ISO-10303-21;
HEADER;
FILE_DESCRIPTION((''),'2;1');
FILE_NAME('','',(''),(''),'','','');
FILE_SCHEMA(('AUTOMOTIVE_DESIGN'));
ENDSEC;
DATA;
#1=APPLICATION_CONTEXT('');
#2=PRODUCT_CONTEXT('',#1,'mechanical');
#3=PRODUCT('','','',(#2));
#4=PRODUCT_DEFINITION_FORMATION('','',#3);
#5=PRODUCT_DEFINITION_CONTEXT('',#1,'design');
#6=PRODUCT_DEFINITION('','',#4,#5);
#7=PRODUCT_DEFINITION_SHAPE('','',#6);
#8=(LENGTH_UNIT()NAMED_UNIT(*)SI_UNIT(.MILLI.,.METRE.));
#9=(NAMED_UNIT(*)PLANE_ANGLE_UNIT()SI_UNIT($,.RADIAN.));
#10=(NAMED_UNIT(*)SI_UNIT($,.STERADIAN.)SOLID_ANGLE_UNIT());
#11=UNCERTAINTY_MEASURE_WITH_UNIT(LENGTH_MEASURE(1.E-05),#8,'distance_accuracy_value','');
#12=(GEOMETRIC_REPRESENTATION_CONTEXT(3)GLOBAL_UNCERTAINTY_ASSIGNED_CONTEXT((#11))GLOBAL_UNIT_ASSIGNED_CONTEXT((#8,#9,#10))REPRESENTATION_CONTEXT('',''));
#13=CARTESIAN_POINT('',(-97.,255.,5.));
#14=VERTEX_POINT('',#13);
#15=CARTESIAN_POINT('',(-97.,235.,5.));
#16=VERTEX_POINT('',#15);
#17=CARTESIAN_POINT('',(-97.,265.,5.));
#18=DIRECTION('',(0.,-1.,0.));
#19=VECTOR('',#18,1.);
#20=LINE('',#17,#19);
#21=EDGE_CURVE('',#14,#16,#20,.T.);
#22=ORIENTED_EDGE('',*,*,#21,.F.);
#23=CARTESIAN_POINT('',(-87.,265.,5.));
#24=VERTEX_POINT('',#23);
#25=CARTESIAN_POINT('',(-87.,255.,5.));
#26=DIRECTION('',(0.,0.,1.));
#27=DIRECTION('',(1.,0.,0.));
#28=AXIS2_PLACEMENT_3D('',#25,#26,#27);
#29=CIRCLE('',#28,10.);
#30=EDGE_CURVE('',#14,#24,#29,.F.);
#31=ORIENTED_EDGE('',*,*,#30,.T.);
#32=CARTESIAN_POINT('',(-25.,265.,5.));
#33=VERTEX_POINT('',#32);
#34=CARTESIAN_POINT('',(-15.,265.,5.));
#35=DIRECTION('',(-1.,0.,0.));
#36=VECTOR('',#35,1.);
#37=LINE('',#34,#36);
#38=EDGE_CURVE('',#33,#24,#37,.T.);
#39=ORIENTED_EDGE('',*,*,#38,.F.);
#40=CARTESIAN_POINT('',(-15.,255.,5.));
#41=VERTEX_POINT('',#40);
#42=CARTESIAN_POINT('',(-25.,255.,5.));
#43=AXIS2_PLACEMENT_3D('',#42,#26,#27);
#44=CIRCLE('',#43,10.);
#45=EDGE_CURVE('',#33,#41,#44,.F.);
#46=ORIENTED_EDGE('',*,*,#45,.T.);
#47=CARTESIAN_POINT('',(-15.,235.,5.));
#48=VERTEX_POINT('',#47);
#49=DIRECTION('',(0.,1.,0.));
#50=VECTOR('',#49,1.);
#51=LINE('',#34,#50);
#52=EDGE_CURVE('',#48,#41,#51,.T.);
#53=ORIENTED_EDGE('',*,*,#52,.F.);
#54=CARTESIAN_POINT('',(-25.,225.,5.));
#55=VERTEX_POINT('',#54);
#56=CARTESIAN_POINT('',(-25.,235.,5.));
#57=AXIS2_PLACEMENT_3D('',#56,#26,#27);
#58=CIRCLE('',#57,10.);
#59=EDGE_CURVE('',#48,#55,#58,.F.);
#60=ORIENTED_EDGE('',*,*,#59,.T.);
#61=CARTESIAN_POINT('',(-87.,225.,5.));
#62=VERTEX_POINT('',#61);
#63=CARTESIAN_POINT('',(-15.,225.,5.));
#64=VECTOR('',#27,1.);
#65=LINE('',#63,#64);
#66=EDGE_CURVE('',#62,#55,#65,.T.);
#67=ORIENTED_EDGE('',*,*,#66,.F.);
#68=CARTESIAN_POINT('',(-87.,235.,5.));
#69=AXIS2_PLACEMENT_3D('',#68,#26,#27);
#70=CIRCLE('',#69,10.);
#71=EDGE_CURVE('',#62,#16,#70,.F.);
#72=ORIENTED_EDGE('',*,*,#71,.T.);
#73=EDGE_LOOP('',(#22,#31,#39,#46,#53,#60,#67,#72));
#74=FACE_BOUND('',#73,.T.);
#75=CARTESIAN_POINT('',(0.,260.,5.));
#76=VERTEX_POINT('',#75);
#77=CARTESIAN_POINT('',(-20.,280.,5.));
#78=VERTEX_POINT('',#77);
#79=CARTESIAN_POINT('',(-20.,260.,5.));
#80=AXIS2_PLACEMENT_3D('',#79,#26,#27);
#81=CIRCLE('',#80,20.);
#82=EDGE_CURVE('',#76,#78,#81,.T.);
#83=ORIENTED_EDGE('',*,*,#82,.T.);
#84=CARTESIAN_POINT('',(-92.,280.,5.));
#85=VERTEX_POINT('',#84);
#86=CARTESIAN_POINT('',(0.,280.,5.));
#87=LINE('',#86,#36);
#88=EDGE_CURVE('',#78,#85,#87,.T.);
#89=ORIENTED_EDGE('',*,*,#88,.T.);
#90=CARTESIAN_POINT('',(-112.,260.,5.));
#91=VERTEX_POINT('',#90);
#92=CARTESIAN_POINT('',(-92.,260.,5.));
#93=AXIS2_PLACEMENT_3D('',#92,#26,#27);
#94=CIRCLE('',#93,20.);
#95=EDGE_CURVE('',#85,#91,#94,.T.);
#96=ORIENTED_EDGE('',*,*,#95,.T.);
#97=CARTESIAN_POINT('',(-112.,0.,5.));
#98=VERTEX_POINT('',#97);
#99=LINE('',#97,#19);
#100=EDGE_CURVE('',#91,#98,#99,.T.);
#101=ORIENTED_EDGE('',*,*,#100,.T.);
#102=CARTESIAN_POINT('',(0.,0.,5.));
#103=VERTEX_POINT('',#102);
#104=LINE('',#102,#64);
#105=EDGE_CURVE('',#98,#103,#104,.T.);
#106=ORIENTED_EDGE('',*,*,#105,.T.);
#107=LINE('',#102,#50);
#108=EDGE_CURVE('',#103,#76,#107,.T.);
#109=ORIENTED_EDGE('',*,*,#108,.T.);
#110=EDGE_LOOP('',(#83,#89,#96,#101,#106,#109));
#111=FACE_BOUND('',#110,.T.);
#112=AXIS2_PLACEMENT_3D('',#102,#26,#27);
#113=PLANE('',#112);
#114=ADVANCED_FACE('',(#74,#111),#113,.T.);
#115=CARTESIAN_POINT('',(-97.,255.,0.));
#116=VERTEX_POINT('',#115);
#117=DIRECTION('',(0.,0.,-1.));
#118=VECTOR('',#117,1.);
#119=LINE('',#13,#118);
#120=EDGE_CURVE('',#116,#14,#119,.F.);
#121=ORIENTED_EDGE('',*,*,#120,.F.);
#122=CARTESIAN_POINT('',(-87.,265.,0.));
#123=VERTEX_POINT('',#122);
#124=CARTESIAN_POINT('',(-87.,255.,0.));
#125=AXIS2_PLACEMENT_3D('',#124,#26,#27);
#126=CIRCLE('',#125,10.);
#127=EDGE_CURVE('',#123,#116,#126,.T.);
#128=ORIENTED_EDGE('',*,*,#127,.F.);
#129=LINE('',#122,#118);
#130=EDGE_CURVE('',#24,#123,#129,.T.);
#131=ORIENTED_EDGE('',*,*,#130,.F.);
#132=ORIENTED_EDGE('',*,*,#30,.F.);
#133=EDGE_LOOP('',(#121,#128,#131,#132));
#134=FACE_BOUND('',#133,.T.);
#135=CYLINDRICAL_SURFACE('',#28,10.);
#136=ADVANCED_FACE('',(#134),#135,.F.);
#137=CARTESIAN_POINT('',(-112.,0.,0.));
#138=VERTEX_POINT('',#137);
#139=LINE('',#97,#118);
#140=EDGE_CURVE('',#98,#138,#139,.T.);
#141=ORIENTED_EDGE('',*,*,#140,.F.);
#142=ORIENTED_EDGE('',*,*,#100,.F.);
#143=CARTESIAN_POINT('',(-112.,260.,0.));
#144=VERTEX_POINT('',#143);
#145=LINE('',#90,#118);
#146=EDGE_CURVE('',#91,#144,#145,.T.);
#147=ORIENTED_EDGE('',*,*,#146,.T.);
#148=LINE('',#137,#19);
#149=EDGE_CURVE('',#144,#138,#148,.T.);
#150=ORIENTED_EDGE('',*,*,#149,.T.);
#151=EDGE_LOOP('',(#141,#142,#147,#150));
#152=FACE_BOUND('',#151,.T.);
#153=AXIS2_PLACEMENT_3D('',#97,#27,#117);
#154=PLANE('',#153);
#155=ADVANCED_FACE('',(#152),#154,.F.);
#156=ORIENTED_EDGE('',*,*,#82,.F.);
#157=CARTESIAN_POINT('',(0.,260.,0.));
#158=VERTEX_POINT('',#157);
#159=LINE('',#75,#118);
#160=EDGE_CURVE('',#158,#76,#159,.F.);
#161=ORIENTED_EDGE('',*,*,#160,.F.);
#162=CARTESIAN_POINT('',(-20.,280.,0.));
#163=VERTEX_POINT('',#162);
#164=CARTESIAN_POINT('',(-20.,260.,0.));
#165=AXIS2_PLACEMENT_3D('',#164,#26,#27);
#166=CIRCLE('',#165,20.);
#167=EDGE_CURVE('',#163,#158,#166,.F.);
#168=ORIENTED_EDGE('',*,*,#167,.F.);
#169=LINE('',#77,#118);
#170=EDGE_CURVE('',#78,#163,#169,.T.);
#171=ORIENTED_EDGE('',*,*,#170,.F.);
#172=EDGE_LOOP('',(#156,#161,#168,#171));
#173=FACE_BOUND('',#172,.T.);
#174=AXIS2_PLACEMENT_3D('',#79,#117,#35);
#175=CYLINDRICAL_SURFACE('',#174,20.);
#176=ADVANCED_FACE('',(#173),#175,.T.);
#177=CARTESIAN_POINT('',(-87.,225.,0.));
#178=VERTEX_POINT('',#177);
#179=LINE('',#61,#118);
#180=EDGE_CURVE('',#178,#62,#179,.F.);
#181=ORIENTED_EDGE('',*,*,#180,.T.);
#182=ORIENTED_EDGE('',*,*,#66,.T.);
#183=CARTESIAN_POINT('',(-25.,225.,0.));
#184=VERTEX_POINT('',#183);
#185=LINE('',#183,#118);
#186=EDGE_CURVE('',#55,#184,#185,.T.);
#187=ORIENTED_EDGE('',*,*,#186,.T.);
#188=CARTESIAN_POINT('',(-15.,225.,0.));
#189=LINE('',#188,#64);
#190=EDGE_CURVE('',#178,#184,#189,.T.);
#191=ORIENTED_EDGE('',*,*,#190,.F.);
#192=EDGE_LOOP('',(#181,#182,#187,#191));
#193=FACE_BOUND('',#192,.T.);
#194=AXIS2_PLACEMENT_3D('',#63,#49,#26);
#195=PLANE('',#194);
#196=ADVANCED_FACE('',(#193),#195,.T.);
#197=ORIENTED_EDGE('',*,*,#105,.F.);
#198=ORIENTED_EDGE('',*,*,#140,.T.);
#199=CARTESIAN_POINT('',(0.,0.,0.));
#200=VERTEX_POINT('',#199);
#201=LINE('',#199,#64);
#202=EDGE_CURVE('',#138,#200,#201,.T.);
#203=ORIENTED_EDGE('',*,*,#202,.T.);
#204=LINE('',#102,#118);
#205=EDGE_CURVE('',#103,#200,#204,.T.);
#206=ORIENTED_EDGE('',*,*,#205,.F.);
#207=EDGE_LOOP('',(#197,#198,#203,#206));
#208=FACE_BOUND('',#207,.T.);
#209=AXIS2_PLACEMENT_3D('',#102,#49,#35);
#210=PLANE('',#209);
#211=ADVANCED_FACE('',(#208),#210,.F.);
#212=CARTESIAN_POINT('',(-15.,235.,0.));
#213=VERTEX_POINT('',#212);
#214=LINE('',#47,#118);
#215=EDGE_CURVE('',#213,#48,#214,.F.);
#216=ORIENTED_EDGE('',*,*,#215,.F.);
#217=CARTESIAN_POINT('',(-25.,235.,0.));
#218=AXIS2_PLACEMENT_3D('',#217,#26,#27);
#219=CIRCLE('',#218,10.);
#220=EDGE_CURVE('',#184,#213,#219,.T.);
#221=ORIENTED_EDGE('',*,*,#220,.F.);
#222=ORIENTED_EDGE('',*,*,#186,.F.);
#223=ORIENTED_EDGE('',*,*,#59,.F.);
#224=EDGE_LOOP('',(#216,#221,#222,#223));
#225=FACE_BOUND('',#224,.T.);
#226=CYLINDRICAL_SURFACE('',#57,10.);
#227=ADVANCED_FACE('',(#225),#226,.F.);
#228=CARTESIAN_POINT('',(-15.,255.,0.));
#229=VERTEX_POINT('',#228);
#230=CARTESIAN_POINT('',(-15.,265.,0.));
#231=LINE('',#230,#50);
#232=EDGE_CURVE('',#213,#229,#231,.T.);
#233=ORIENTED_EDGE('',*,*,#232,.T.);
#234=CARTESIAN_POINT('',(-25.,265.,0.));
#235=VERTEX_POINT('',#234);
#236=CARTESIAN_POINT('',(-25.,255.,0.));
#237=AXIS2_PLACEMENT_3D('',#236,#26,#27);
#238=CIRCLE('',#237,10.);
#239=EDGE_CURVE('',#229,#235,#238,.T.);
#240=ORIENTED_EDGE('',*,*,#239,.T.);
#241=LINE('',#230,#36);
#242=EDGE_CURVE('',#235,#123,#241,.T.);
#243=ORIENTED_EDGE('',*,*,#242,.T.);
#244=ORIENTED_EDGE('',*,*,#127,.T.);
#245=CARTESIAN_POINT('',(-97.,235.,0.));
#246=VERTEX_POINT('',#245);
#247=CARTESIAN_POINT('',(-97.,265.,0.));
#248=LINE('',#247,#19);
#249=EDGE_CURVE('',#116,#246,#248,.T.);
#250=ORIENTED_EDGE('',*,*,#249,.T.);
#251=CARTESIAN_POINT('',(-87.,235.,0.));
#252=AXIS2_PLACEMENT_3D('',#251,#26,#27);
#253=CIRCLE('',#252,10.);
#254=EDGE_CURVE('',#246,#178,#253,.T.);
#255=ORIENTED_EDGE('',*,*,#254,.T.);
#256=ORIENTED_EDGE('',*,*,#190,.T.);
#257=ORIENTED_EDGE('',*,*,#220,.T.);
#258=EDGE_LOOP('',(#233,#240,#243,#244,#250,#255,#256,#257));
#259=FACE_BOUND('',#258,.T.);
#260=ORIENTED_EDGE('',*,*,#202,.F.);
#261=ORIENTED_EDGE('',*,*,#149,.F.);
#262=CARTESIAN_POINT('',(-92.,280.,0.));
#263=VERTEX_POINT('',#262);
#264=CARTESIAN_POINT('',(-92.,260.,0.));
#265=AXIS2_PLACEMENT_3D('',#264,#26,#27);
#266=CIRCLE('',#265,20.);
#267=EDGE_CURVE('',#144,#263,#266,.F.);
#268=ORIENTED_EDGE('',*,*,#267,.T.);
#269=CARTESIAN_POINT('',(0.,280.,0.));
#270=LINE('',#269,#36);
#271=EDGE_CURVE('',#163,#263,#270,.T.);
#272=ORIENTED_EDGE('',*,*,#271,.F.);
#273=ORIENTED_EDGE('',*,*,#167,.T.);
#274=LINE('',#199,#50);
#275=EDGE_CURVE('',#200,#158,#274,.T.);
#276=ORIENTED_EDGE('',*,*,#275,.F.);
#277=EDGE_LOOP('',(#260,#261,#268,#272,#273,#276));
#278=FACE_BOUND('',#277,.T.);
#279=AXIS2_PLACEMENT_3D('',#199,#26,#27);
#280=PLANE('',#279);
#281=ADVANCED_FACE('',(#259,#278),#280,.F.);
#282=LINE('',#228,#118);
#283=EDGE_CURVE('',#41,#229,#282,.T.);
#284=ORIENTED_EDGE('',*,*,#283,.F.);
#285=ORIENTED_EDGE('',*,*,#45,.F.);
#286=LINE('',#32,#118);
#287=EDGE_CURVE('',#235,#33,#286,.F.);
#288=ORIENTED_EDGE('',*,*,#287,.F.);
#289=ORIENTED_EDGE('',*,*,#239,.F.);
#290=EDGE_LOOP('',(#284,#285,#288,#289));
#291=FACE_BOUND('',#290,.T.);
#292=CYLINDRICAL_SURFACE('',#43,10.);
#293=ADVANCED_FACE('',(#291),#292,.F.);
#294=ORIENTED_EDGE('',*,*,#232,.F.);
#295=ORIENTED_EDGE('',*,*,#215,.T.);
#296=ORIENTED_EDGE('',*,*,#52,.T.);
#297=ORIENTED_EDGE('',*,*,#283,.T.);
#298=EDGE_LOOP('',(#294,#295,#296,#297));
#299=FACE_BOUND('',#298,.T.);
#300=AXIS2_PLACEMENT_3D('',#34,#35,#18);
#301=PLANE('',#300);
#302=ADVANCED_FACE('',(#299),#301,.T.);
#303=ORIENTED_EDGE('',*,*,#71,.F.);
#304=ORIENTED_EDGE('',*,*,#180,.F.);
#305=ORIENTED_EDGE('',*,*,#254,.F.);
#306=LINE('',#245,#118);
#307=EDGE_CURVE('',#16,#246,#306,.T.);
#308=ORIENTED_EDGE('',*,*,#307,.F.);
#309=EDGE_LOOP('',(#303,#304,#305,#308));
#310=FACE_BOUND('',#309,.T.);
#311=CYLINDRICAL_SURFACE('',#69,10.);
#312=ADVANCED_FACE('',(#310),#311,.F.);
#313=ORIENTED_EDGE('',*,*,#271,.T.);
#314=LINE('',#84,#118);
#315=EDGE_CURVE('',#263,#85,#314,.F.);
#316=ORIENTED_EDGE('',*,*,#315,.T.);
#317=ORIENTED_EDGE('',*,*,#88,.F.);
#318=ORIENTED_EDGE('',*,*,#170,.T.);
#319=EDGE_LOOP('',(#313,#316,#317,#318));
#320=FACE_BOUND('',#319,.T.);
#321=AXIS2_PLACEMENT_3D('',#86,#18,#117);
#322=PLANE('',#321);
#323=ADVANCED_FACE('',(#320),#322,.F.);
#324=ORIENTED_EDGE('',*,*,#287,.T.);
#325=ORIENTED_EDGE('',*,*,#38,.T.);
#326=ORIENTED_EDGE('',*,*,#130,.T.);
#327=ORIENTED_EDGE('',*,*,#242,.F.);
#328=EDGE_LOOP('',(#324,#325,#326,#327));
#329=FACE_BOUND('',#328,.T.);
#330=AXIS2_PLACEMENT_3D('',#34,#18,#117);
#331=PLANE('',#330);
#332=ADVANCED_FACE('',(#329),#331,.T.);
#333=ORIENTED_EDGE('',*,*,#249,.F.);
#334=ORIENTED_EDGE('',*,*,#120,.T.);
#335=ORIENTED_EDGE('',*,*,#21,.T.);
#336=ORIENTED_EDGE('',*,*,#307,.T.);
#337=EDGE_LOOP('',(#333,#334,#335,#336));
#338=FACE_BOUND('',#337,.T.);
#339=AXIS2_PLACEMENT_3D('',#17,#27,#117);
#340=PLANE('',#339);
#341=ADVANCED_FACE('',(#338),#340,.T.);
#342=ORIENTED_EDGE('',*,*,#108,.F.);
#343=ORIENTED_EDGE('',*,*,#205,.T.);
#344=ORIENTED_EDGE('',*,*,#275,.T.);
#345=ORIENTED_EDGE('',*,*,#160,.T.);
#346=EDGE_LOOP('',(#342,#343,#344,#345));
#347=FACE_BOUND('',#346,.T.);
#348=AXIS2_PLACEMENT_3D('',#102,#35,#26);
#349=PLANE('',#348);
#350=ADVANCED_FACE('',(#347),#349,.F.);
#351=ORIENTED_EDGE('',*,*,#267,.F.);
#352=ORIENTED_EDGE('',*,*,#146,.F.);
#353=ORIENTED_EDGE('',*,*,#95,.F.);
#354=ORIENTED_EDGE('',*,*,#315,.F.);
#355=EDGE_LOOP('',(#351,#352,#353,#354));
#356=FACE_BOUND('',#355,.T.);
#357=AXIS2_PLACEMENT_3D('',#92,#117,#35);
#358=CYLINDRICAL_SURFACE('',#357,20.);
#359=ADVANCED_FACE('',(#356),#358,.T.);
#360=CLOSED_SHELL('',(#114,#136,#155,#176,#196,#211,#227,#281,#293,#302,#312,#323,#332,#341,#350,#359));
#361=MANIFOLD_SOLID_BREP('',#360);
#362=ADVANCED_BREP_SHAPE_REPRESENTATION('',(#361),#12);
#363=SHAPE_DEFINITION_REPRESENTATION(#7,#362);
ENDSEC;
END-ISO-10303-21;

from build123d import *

# Parameters (mm, degrees)
SKETCH1_W           = 112
SKETCH1_H           = 280
SKETCH1_W_2         = 82
SKETCH1_H_2         = 40
BOSS_EXTRUDE1_DEPTH = 5
FILLET1_R           = 20
FILLET2_R           = 10


with BuildPart() as part:
    # Sketch1 → Boss-Extrude1 (new body)
    with BuildSketch(Plane.XY):
        with Locations((-56, 140)):
            Rectangle(SKETCH1_W, SKETCH1_H)
        with Locations((-56, 245)):
            Rectangle(SKETCH1_W_2, SKETCH1_H_2, mode=Mode.SUBTRACT)
    extrude(amount=BOSS_EXTRUDE1_DEPTH)

    # Fillet1
    fillet1_edges = [part.edges().sort_by_distance(p)[0] for p in [
        (-112, 280, 2.5),
        (0, 280, 2.5),
    ]]
    fillet(fillet1_edges, radius=FILLET1_R)

    # Fillet2
    fillet2_edges = [part.edges().sort_by_distance(p)[0] for p in [
        (-15, 225, 2.5),
        (-15, 265, 2.5),
        (-97, 265, 2.5),
        (-97, 225, 2.5),
    ]]
    fillet(fillet2_edges, radius=FILLET2_R)


solid = part.part
